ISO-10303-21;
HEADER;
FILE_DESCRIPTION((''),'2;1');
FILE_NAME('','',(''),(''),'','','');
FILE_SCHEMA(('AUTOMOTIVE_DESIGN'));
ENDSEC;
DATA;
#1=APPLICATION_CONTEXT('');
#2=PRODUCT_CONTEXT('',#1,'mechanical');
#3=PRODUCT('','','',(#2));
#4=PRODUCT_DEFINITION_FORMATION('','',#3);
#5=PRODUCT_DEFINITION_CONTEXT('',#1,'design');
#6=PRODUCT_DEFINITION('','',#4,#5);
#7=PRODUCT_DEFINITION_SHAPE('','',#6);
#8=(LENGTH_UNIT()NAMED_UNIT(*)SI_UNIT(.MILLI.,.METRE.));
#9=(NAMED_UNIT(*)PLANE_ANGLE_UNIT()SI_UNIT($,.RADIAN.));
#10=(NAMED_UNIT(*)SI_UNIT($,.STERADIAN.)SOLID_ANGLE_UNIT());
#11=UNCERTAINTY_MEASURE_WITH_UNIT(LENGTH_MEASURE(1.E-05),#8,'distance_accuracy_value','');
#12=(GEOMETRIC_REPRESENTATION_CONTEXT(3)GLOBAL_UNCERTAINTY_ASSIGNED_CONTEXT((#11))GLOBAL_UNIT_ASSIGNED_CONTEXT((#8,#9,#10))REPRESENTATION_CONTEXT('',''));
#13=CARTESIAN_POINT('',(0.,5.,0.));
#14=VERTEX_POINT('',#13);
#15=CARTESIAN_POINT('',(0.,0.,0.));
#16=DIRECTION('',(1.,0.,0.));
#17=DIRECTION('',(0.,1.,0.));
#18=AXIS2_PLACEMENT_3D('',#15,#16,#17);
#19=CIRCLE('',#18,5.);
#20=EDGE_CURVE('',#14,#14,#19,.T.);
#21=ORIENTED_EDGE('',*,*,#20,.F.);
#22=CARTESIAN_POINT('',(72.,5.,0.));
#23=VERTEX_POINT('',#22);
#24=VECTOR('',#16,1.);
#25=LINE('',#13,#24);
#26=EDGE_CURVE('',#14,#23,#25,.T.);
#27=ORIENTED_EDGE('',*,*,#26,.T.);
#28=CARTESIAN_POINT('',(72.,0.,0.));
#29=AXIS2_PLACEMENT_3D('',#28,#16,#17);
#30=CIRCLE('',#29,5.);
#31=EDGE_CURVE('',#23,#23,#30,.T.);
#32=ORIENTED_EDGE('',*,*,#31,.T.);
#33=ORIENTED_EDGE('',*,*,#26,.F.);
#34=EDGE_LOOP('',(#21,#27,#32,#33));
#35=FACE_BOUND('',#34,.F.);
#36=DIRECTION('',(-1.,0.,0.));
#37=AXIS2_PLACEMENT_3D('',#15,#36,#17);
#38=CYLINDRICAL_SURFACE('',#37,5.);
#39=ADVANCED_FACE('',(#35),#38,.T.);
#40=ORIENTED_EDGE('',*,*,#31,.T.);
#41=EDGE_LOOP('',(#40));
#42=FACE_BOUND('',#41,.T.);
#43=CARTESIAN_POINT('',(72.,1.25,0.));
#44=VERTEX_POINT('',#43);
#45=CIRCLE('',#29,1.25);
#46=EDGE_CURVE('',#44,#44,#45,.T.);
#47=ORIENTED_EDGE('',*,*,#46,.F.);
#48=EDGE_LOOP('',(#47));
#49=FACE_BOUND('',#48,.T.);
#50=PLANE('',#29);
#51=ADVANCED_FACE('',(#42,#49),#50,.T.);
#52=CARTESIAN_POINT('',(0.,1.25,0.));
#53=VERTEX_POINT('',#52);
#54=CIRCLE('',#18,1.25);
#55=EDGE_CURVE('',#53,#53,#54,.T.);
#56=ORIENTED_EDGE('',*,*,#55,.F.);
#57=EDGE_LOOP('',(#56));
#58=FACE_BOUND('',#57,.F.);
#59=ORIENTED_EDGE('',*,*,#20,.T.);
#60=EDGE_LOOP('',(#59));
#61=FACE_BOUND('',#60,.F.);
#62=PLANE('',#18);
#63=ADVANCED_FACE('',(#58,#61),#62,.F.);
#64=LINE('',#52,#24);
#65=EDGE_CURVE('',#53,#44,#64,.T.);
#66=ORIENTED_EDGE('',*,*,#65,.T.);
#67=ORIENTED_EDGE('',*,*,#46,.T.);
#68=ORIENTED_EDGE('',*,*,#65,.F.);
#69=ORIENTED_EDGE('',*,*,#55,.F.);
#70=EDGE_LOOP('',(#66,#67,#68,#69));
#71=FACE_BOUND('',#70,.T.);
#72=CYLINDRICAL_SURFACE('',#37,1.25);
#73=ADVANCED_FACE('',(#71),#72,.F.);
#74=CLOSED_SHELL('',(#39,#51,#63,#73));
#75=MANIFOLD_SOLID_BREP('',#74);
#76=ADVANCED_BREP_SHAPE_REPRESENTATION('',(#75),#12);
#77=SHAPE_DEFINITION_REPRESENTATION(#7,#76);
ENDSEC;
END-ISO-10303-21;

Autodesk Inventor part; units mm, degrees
ref_plane "YZ Plane" through (0, 0, 0) normal (1, 0, 0) x (0, 1, 0)
ref_plane "XZ Plane" through (0, 0, 0) normal (0, 1, 0) x (-1, 0, 0)
ref_plane "XY Plane" through (0, 0, 0) normal (0, 0, 1) x (1, 0, 0)
sketch "スケッチ1" plane through (0, 0, 0) normal (1, 0, 0) x (0, 1, 0)
  circle A0 centre (0, 0) radius 5
  circle A1 centre (0, 0) radius 1.25
  dimension "d0" = 10
  dimension "d3" = 2.5
extrude "押し出し1" add sketch "スケッチ1" along normal blind 72
properties part number "hand-grab-v5-shaft-4" material "アルミニウム 6061"
